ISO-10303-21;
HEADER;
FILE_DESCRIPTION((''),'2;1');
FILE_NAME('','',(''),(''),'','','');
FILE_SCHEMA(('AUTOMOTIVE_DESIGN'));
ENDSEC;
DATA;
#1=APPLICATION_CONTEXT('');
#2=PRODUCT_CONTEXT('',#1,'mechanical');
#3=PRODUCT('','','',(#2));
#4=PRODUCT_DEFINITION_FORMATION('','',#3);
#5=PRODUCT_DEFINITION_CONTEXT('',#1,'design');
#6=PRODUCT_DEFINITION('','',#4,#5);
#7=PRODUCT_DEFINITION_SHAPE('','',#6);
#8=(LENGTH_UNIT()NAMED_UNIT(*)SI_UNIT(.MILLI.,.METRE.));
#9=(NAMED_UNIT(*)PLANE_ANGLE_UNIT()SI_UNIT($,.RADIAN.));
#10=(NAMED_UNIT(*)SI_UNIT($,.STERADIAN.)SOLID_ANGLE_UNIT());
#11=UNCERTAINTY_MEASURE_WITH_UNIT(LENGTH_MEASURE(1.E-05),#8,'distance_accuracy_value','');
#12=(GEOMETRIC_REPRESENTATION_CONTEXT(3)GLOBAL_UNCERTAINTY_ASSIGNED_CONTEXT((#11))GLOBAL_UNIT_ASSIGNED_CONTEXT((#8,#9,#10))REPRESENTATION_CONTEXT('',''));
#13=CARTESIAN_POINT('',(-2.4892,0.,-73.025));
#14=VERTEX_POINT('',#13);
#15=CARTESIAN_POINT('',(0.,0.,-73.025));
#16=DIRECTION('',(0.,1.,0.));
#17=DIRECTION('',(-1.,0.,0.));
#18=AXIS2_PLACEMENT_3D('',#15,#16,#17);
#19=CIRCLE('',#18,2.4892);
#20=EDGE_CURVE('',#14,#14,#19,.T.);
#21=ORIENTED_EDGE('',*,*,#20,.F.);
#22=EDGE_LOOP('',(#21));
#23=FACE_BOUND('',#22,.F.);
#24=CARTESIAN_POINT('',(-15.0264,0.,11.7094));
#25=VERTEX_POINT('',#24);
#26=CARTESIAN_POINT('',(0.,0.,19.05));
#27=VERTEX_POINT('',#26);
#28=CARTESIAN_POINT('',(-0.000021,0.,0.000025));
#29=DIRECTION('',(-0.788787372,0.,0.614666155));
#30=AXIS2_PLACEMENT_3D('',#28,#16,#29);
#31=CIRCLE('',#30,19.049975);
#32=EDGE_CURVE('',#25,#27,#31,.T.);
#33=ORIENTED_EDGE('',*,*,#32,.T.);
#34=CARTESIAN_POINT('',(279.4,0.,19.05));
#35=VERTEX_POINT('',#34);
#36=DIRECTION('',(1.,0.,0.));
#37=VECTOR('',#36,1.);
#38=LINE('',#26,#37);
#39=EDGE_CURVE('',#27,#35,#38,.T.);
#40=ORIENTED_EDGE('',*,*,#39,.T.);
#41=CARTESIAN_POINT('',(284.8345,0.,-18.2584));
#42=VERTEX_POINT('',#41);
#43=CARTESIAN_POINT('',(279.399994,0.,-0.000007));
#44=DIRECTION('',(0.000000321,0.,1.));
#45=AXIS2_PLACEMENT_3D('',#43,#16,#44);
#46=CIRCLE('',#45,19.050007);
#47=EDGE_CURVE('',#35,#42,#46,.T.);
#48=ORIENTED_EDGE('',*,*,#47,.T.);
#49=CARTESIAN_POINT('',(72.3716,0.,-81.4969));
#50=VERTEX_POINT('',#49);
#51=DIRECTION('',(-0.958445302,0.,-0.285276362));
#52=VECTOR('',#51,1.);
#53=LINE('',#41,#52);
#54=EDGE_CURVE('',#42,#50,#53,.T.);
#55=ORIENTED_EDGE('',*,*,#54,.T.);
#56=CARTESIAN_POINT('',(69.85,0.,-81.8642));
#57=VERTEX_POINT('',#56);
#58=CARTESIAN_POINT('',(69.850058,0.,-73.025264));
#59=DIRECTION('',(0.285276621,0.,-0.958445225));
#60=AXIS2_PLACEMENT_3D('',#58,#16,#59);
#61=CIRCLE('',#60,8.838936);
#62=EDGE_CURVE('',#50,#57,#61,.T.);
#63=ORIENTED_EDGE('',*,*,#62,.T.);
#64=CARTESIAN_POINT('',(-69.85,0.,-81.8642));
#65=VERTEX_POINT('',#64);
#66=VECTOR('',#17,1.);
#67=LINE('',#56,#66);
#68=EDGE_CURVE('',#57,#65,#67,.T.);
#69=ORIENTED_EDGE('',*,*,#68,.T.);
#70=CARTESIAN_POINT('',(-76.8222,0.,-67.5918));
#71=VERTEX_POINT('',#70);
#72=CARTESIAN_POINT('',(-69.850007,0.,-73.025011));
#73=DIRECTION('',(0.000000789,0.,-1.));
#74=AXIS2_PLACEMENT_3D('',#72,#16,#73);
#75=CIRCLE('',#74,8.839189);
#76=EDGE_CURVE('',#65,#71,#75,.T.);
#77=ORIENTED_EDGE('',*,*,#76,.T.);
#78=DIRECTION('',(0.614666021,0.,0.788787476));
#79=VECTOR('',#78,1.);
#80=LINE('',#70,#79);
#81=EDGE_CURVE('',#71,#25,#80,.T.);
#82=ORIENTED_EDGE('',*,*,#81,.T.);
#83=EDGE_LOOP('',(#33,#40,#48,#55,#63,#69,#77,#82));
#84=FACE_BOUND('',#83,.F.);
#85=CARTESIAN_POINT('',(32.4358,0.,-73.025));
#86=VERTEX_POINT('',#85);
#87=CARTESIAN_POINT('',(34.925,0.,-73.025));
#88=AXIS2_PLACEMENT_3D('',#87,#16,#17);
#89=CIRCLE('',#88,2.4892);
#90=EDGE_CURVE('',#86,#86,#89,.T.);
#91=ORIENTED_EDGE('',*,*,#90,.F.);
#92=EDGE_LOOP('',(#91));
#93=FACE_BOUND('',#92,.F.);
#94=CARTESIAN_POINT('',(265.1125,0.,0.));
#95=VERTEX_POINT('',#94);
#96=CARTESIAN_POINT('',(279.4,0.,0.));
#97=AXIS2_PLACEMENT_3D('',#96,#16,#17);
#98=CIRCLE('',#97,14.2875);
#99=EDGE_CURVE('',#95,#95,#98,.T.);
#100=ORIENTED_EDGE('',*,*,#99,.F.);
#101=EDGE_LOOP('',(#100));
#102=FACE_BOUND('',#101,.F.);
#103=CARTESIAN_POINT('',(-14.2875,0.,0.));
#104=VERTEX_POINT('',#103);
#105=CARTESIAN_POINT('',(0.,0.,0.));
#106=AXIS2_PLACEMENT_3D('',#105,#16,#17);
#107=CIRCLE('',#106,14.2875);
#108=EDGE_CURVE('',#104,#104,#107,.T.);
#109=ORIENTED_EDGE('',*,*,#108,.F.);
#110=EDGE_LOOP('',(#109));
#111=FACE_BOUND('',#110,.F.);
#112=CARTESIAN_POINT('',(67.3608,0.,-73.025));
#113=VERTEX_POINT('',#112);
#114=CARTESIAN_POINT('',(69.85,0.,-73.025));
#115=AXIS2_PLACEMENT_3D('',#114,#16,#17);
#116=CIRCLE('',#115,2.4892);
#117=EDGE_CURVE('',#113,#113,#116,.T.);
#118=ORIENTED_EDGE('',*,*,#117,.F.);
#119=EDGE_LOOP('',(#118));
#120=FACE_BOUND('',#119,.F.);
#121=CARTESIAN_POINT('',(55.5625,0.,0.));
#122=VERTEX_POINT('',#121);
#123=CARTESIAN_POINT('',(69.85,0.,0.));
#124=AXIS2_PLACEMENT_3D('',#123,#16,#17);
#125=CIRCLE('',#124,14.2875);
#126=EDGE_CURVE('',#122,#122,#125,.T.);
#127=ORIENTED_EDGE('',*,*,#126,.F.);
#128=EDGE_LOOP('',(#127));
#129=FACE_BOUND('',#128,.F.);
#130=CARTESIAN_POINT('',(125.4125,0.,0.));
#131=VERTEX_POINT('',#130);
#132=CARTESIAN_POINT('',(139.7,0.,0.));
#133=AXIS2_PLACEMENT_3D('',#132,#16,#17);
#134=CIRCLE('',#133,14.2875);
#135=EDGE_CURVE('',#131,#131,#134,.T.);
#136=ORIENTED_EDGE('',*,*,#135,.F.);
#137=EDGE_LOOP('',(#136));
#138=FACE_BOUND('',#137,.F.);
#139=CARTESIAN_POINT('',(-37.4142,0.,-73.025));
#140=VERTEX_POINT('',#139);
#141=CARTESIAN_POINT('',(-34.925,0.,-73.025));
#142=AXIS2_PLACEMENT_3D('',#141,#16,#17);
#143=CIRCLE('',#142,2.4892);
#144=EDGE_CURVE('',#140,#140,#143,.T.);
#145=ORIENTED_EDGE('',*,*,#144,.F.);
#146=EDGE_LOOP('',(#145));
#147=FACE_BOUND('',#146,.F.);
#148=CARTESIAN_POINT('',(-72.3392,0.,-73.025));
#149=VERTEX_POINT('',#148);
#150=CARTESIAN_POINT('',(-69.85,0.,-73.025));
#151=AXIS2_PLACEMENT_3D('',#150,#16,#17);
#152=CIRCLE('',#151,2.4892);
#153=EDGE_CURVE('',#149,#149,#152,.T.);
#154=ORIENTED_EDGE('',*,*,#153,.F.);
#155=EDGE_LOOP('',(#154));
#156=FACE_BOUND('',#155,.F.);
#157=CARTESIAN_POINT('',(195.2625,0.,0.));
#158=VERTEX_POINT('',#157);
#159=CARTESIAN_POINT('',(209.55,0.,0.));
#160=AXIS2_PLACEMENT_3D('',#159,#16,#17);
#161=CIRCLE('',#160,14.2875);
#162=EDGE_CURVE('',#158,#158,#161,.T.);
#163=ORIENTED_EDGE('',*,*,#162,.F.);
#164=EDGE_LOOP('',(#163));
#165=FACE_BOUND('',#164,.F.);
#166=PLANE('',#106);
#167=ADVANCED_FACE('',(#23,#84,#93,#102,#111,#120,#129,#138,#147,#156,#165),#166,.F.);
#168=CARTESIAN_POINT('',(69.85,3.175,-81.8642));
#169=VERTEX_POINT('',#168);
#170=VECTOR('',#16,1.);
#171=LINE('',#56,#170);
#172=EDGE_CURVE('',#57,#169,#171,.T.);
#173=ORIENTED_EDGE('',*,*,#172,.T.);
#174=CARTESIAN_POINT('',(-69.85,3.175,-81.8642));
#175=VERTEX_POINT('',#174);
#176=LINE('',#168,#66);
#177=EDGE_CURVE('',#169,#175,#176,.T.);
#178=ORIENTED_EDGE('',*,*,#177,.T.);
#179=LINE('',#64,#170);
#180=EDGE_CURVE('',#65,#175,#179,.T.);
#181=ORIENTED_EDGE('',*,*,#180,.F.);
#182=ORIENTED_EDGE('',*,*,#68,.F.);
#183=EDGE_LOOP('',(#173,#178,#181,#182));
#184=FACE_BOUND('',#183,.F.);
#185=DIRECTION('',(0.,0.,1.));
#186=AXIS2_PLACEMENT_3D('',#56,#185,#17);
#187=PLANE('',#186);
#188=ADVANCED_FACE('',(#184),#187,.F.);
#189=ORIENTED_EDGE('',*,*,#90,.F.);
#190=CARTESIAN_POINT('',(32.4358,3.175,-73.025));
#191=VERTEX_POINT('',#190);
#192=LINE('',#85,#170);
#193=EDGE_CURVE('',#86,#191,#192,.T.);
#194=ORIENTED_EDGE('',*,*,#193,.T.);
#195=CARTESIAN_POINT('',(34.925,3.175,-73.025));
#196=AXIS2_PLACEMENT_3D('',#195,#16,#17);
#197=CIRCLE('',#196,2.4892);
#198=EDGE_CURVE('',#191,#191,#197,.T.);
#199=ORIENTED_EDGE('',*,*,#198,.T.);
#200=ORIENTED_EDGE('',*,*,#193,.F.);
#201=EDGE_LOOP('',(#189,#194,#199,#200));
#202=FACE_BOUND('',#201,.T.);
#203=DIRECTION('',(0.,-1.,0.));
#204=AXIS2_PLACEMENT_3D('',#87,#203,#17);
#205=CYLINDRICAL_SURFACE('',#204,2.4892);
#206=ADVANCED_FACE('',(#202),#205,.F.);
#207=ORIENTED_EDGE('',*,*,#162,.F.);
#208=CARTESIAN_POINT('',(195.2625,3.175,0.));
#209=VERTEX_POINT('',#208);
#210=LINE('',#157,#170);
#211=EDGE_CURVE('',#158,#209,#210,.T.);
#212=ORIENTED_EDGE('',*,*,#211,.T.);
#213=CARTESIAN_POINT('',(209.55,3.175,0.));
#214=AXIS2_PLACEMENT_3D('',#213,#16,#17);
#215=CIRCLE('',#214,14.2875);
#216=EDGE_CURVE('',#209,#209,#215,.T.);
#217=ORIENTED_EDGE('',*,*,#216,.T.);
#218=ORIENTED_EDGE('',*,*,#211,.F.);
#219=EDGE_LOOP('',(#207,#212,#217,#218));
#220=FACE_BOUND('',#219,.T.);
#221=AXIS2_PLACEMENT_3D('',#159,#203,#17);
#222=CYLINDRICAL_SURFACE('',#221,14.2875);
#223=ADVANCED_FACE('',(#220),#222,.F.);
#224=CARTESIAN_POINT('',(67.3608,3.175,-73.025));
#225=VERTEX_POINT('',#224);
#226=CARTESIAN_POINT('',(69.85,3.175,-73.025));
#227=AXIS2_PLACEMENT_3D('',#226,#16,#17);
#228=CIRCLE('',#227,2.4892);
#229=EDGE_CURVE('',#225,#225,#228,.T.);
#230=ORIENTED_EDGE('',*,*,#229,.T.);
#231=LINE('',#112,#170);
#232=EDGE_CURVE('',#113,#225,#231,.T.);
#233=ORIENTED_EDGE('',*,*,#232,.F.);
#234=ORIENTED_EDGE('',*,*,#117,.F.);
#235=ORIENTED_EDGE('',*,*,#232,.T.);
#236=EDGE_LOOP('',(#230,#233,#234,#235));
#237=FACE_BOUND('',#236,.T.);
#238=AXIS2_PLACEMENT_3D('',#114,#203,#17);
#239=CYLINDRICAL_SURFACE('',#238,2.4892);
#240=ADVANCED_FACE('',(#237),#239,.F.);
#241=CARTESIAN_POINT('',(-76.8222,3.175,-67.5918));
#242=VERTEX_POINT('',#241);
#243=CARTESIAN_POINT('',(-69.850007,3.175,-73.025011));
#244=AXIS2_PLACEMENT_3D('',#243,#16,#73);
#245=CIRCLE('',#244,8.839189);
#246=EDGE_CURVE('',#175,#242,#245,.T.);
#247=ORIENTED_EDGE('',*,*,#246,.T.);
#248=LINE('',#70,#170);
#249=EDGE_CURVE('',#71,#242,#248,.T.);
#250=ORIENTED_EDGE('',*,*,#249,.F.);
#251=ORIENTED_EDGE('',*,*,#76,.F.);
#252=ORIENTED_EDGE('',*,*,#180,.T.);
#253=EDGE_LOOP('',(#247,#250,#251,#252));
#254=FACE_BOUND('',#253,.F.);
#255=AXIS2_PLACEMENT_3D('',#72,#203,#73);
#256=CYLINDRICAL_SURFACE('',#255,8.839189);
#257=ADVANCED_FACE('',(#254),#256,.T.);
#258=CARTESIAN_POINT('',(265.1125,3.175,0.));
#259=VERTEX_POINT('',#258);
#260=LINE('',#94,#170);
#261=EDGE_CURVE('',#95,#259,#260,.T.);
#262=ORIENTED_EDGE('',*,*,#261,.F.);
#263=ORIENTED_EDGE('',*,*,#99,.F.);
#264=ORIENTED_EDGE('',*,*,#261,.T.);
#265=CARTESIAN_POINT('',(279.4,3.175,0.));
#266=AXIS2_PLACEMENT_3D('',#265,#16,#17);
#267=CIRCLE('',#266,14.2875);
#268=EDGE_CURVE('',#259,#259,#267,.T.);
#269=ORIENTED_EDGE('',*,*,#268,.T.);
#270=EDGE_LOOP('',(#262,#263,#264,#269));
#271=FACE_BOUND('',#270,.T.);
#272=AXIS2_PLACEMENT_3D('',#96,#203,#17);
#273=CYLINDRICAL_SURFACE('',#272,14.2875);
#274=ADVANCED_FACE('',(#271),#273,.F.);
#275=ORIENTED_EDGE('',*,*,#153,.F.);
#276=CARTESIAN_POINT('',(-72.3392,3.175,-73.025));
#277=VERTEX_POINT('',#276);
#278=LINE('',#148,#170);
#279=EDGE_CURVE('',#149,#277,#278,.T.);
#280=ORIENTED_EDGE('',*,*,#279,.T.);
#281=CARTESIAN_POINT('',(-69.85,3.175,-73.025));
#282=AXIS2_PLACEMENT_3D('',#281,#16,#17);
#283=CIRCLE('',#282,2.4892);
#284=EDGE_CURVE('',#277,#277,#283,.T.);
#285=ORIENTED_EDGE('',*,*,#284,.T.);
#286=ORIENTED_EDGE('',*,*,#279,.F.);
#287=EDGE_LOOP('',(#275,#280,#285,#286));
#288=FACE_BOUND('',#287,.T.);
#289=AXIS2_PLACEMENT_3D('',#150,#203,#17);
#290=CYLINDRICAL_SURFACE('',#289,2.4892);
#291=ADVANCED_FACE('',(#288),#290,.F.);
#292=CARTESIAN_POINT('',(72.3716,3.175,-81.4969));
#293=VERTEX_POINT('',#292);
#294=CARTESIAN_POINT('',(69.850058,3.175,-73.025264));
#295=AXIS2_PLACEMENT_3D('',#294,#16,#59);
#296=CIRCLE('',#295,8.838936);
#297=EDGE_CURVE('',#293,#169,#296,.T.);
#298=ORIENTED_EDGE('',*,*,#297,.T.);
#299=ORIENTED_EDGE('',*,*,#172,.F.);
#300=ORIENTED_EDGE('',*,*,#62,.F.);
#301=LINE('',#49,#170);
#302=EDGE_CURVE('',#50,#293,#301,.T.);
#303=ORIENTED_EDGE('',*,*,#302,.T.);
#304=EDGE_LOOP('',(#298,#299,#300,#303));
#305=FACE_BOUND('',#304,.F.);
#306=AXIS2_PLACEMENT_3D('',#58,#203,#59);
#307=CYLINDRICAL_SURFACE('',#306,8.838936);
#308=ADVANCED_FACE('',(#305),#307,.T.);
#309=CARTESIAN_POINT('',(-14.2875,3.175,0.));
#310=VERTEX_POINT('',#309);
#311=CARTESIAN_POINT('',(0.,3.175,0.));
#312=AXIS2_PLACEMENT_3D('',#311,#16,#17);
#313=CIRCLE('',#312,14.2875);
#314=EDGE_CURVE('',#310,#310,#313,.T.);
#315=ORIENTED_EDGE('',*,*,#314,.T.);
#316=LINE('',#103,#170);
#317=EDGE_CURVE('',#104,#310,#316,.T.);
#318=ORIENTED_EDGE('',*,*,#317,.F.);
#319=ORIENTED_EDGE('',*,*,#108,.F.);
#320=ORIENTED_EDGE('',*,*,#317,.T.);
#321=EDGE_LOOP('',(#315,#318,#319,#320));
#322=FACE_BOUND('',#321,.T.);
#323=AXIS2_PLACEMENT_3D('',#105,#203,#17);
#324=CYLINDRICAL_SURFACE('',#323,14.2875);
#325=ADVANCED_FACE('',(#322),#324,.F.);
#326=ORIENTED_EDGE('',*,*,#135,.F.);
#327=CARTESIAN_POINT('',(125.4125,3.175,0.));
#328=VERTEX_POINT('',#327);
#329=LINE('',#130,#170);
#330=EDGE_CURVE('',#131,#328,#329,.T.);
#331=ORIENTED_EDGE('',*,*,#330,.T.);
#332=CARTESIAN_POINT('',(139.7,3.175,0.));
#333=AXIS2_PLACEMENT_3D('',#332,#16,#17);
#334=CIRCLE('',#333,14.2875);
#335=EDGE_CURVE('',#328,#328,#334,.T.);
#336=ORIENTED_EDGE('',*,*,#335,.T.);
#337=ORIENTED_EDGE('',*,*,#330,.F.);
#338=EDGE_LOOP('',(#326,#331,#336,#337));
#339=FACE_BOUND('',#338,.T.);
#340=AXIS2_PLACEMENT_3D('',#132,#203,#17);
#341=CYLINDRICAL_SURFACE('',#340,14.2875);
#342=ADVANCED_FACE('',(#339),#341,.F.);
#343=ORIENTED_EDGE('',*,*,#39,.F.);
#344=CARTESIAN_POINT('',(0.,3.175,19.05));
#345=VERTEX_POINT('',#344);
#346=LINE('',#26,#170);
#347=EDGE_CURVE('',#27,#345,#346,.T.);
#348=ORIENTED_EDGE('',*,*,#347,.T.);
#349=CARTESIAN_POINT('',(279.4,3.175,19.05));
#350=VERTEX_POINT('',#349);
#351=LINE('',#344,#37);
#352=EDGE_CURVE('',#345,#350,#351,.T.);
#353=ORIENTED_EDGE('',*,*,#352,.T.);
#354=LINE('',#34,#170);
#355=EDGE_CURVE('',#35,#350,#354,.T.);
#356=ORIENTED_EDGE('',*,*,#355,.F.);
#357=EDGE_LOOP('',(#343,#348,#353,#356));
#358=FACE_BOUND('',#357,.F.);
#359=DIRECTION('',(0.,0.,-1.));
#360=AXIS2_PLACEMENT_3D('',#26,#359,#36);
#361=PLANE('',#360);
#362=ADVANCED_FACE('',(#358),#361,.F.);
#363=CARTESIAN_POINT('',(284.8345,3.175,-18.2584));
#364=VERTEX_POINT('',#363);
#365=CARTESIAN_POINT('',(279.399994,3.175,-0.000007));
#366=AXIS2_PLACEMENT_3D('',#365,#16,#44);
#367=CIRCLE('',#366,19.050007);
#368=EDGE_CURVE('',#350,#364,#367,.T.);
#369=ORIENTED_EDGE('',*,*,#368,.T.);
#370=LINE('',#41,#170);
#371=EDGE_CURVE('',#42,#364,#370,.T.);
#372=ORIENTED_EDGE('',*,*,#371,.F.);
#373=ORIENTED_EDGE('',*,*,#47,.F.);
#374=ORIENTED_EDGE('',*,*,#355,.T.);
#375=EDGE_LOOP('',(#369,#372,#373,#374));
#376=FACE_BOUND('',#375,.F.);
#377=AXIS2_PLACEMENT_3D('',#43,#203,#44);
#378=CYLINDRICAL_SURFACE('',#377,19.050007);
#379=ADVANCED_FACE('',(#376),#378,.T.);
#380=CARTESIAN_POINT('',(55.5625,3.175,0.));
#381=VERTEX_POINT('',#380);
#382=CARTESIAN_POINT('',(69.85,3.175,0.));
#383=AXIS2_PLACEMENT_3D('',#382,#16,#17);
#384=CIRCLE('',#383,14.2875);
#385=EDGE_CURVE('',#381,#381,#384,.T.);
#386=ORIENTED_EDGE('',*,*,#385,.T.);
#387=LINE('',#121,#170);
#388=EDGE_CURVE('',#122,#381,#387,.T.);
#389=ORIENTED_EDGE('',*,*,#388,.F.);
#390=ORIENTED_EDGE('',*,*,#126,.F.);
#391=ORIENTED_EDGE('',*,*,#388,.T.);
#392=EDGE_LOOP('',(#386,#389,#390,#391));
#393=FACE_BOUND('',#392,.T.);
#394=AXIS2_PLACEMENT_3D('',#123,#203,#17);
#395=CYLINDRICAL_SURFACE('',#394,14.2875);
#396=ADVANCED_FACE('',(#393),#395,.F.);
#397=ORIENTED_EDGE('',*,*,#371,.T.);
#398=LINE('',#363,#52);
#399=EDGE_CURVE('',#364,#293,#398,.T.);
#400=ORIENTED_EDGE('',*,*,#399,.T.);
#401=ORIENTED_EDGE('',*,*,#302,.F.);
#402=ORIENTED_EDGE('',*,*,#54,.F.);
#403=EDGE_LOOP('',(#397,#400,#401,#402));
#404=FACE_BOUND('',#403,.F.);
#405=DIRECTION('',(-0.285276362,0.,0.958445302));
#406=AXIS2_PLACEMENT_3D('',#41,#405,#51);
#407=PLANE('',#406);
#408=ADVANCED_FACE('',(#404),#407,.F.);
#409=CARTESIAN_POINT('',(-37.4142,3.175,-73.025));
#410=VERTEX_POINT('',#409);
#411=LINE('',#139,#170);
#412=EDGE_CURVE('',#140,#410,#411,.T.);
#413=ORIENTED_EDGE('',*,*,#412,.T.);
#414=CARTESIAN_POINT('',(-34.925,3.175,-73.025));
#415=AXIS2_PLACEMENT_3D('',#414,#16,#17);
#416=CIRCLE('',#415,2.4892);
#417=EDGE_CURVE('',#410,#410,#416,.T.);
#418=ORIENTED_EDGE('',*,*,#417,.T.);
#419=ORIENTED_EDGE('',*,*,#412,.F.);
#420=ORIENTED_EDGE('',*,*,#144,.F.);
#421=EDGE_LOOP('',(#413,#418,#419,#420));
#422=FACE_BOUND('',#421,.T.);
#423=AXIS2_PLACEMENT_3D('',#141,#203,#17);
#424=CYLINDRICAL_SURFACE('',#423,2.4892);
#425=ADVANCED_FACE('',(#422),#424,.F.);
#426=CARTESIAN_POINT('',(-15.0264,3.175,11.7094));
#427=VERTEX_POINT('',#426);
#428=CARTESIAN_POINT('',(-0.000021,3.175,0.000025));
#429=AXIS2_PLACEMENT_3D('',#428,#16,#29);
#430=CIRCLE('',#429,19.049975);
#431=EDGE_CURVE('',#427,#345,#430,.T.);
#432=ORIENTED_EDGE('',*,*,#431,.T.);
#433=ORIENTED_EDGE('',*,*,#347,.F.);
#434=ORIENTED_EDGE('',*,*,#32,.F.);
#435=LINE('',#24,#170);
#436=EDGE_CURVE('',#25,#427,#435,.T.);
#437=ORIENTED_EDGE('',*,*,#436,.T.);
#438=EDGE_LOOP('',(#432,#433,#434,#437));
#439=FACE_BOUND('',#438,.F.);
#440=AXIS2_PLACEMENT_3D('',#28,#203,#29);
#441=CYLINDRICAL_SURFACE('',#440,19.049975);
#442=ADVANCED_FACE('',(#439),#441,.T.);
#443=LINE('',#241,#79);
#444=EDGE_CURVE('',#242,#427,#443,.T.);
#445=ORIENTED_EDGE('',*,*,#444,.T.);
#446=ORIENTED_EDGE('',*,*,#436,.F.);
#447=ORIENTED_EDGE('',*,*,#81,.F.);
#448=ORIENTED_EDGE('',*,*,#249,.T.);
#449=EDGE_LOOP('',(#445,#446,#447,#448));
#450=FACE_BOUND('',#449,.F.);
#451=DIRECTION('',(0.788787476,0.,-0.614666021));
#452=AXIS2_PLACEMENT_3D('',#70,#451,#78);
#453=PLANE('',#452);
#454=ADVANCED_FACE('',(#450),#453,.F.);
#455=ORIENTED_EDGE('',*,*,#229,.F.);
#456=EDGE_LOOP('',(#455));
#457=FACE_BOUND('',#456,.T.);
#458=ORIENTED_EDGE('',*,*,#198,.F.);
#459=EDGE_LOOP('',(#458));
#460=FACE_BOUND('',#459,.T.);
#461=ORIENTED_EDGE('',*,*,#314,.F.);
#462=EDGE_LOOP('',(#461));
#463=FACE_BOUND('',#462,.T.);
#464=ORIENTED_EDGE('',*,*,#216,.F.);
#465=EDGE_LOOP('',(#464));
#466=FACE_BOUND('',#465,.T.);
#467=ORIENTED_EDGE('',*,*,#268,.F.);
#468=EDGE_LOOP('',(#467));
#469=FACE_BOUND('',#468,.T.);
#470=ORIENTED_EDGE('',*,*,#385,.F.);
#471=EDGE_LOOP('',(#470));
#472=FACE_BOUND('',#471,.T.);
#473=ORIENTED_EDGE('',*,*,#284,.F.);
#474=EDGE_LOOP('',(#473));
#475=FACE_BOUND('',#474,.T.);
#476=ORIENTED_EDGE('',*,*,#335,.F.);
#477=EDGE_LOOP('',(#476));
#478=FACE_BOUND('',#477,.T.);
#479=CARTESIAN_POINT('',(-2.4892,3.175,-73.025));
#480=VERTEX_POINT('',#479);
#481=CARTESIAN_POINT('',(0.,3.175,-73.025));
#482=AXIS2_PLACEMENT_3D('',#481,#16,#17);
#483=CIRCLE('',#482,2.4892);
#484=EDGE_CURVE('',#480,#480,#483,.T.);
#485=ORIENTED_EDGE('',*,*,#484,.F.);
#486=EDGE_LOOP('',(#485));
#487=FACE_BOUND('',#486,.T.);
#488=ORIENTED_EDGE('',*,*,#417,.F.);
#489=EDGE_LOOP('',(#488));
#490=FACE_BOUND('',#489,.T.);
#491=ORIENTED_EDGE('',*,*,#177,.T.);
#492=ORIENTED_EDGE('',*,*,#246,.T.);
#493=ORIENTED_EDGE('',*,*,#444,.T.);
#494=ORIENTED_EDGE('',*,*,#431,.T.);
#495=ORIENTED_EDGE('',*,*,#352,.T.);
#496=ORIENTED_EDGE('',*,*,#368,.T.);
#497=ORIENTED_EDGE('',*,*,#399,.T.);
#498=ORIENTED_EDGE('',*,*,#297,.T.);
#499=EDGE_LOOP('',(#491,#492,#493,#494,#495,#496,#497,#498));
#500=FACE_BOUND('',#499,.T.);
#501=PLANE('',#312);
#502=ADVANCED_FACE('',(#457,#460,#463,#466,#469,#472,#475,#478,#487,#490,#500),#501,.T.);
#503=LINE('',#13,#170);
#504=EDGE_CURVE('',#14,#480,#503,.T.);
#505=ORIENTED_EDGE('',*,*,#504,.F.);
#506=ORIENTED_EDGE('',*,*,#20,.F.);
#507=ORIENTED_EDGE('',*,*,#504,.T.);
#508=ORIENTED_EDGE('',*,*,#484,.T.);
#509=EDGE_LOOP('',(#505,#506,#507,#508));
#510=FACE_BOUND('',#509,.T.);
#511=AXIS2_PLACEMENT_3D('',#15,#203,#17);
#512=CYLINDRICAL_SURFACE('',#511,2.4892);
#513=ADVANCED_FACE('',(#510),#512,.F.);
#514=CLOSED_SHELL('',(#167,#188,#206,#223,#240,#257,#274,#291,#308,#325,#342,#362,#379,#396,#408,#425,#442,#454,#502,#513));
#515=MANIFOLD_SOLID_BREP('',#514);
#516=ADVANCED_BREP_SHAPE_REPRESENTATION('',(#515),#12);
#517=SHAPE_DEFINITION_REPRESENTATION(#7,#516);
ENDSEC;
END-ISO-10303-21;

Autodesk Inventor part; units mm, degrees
ref_plane "YZ Plane" through (0, 0, 0) normal (1, 0, 0) x (0, 1, 0)
ref_plane "XZ Plane" through (0, 0, 0) normal (0, 1, 0) x (-1, 0, 0)
ref_plane "XY Plane" through (0, 0, 0) normal (0, 0, 1) x (1, 0, 0)
sketch "Sketch1" plane through (0, 0, 0) normal (0, 1, 0) x (-1, 0, 0)
  circle A0 centre (0, 0) radius 14.2875
  line L0 (0, 0) -> (-9.1805, 0) construction
  circle A1 centre (-69.85, 0) radius 14.2875
  circle A2 centre (-139.7, 0) radius 14.2875
  circle A3 centre (-209.55, 0) radius 14.2875
  line L1 (-69.85, 0) -> (0, 0) construction
  line L2 (-69.85, -16.1701) -> (0, -16.1701) construction
  line L3 (0, 16.1701) -> (-69.85, 16.1701) construction
  arc A4 (-69.85, 16.1701) -> (-69.85, -16.1701) centre (-69.85, 0) ccw construction
  arc A5 (0, -16.1701) -> (0, 16.1701) centre (0, 0) ccw construction
  circle A6 centre (-279.4, 0) radius 14.2875
  arc A7 (15.0264, 11.7094) -> (0, 19.05) centre (0, 0) ccw
  line L4 (0, 19.05) -> (-279.4, 19.05)
  arc A8 (-279.4, 19.05) -> (-284.8345, -18.2584) centre (-279.4, 0) ccw
  line L5 (-284.8345, -18.2584) -> (-72.3716, -81.4969)
  circle A9 centre (69.85, -73.025) radius 2.4892
  line L6 (69.85, -73.025) -> (7.0465, -73.025) construction
  circle A10 centre (34.925, -73.025) radius 2.4892
  circle A11 centre (0, -73.025) radius 2.4892
  circle A12 centre (-34.925, -73.025) radius 2.4892
  circle A13 centre (-69.85, -73.025) radius 2.4892
  arc A14 (-72.3716, -81.4969) -> (-69.85, -81.8642) centre (-69.85, -73.025) ccw
  line L7 (-69.85, -81.8642) -> (69.85, -81.8642)
  arc A15 (69.85, -81.8642) -> (76.8222, -67.5918) centre (69.85, -73.025) ccw
  line L8 (76.8222, -67.5918) -> (15.0264, 11.7094)
  point P0 (-34.925, 0)
  dimension "d0" = 28.575
  dimension "d3" = 69.85
  dimension "d8" = 32.3403
  dimension "d9" = 50.8
  dimension "d10" = 69.85
  dimension "d11" = 50.8
  dimension "d12" = 69.85
  dimension "d13" = 4.7625
  dimension "d14" = 279.4
  dimension "d15" = 4.9784
  dimension "d18" = 34.925
  dimension "d23" = 6.35
  dimension "d24" = 73.025
extrude "Extrusion1" add sketch "Sketch1" along normal blind 3.175
extrude "Extrusion2" [suppressed]
properties part number "GreyT Claw 2 Wing Plate"
